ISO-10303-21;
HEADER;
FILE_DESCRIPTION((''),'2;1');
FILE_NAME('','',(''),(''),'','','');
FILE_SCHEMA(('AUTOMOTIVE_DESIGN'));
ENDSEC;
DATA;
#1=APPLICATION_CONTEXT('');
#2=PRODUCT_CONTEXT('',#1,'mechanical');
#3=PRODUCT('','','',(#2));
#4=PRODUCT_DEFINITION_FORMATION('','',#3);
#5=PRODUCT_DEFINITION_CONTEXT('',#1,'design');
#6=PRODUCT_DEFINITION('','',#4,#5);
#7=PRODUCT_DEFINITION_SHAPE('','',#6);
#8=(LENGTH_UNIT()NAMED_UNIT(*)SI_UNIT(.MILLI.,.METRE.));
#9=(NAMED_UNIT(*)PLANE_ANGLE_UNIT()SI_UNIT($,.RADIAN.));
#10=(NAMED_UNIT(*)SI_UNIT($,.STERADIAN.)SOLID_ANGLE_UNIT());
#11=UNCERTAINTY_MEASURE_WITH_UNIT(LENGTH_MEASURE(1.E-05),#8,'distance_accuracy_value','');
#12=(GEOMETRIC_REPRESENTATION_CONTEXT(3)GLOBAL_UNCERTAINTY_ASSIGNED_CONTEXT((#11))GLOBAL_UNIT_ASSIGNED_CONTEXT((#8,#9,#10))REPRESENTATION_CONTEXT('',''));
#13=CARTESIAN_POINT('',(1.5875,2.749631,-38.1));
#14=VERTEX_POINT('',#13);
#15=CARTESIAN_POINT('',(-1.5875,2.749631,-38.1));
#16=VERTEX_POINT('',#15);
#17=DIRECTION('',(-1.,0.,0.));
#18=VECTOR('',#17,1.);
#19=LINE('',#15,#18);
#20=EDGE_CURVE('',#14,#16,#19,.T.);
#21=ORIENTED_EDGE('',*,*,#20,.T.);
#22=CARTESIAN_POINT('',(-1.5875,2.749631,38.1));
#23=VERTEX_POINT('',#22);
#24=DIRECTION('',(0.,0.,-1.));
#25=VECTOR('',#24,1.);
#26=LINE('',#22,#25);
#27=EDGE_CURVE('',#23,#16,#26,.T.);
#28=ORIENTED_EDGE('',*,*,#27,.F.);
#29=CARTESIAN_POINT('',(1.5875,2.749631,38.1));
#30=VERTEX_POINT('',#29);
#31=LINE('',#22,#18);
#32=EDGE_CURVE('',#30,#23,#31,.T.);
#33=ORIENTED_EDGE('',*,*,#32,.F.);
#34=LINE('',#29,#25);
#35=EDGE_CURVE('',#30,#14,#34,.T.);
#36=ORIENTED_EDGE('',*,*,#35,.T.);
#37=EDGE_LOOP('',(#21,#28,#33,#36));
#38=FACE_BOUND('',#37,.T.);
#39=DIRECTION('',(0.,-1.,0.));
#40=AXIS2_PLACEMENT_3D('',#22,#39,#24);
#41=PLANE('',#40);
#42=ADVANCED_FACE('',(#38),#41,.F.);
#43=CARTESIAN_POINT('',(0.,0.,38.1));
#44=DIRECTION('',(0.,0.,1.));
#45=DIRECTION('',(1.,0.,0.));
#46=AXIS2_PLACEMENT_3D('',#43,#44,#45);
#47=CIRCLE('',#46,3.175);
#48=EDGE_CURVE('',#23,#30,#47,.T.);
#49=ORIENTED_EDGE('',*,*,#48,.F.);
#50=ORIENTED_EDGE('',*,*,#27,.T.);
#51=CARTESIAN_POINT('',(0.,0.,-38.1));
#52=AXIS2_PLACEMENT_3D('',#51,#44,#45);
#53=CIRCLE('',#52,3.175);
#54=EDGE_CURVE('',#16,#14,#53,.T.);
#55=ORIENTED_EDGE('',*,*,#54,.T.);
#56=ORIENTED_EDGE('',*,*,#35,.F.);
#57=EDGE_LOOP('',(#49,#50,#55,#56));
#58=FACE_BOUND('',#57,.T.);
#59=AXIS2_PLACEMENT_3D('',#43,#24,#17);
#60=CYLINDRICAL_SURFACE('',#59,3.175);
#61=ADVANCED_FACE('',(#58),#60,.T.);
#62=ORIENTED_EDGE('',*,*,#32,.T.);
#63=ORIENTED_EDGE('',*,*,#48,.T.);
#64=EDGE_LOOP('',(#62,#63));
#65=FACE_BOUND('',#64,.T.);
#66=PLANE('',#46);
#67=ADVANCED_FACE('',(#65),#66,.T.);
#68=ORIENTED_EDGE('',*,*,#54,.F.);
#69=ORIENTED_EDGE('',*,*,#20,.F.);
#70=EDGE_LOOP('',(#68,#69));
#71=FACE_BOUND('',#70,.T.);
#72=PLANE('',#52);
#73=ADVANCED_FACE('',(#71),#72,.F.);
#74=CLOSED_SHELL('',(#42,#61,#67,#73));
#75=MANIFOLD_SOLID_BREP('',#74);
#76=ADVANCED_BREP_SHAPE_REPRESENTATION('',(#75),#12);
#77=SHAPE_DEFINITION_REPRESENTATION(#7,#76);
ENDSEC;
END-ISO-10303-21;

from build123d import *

# Parameters (mm, degrees)
BOSS_EXTRUDE1_DEPTH = 38.1


with BuildPart() as part:
    # Sketch1 → Boss-Extrude1 (new, symmetric)
    with BuildSketch(Plane.XY):
        with BuildLine():
            Line((-1.5875, 2.749630657), (1.5875, 2.749630657))
            ThreePointArc((1.5875, 2.749630657), (0, -3.175), (-1.5875, 2.749630657))
        make_face()
    extrude(amount=BOSS_EXTRUDE1_DEPTH, both=True)


solid = part.part
